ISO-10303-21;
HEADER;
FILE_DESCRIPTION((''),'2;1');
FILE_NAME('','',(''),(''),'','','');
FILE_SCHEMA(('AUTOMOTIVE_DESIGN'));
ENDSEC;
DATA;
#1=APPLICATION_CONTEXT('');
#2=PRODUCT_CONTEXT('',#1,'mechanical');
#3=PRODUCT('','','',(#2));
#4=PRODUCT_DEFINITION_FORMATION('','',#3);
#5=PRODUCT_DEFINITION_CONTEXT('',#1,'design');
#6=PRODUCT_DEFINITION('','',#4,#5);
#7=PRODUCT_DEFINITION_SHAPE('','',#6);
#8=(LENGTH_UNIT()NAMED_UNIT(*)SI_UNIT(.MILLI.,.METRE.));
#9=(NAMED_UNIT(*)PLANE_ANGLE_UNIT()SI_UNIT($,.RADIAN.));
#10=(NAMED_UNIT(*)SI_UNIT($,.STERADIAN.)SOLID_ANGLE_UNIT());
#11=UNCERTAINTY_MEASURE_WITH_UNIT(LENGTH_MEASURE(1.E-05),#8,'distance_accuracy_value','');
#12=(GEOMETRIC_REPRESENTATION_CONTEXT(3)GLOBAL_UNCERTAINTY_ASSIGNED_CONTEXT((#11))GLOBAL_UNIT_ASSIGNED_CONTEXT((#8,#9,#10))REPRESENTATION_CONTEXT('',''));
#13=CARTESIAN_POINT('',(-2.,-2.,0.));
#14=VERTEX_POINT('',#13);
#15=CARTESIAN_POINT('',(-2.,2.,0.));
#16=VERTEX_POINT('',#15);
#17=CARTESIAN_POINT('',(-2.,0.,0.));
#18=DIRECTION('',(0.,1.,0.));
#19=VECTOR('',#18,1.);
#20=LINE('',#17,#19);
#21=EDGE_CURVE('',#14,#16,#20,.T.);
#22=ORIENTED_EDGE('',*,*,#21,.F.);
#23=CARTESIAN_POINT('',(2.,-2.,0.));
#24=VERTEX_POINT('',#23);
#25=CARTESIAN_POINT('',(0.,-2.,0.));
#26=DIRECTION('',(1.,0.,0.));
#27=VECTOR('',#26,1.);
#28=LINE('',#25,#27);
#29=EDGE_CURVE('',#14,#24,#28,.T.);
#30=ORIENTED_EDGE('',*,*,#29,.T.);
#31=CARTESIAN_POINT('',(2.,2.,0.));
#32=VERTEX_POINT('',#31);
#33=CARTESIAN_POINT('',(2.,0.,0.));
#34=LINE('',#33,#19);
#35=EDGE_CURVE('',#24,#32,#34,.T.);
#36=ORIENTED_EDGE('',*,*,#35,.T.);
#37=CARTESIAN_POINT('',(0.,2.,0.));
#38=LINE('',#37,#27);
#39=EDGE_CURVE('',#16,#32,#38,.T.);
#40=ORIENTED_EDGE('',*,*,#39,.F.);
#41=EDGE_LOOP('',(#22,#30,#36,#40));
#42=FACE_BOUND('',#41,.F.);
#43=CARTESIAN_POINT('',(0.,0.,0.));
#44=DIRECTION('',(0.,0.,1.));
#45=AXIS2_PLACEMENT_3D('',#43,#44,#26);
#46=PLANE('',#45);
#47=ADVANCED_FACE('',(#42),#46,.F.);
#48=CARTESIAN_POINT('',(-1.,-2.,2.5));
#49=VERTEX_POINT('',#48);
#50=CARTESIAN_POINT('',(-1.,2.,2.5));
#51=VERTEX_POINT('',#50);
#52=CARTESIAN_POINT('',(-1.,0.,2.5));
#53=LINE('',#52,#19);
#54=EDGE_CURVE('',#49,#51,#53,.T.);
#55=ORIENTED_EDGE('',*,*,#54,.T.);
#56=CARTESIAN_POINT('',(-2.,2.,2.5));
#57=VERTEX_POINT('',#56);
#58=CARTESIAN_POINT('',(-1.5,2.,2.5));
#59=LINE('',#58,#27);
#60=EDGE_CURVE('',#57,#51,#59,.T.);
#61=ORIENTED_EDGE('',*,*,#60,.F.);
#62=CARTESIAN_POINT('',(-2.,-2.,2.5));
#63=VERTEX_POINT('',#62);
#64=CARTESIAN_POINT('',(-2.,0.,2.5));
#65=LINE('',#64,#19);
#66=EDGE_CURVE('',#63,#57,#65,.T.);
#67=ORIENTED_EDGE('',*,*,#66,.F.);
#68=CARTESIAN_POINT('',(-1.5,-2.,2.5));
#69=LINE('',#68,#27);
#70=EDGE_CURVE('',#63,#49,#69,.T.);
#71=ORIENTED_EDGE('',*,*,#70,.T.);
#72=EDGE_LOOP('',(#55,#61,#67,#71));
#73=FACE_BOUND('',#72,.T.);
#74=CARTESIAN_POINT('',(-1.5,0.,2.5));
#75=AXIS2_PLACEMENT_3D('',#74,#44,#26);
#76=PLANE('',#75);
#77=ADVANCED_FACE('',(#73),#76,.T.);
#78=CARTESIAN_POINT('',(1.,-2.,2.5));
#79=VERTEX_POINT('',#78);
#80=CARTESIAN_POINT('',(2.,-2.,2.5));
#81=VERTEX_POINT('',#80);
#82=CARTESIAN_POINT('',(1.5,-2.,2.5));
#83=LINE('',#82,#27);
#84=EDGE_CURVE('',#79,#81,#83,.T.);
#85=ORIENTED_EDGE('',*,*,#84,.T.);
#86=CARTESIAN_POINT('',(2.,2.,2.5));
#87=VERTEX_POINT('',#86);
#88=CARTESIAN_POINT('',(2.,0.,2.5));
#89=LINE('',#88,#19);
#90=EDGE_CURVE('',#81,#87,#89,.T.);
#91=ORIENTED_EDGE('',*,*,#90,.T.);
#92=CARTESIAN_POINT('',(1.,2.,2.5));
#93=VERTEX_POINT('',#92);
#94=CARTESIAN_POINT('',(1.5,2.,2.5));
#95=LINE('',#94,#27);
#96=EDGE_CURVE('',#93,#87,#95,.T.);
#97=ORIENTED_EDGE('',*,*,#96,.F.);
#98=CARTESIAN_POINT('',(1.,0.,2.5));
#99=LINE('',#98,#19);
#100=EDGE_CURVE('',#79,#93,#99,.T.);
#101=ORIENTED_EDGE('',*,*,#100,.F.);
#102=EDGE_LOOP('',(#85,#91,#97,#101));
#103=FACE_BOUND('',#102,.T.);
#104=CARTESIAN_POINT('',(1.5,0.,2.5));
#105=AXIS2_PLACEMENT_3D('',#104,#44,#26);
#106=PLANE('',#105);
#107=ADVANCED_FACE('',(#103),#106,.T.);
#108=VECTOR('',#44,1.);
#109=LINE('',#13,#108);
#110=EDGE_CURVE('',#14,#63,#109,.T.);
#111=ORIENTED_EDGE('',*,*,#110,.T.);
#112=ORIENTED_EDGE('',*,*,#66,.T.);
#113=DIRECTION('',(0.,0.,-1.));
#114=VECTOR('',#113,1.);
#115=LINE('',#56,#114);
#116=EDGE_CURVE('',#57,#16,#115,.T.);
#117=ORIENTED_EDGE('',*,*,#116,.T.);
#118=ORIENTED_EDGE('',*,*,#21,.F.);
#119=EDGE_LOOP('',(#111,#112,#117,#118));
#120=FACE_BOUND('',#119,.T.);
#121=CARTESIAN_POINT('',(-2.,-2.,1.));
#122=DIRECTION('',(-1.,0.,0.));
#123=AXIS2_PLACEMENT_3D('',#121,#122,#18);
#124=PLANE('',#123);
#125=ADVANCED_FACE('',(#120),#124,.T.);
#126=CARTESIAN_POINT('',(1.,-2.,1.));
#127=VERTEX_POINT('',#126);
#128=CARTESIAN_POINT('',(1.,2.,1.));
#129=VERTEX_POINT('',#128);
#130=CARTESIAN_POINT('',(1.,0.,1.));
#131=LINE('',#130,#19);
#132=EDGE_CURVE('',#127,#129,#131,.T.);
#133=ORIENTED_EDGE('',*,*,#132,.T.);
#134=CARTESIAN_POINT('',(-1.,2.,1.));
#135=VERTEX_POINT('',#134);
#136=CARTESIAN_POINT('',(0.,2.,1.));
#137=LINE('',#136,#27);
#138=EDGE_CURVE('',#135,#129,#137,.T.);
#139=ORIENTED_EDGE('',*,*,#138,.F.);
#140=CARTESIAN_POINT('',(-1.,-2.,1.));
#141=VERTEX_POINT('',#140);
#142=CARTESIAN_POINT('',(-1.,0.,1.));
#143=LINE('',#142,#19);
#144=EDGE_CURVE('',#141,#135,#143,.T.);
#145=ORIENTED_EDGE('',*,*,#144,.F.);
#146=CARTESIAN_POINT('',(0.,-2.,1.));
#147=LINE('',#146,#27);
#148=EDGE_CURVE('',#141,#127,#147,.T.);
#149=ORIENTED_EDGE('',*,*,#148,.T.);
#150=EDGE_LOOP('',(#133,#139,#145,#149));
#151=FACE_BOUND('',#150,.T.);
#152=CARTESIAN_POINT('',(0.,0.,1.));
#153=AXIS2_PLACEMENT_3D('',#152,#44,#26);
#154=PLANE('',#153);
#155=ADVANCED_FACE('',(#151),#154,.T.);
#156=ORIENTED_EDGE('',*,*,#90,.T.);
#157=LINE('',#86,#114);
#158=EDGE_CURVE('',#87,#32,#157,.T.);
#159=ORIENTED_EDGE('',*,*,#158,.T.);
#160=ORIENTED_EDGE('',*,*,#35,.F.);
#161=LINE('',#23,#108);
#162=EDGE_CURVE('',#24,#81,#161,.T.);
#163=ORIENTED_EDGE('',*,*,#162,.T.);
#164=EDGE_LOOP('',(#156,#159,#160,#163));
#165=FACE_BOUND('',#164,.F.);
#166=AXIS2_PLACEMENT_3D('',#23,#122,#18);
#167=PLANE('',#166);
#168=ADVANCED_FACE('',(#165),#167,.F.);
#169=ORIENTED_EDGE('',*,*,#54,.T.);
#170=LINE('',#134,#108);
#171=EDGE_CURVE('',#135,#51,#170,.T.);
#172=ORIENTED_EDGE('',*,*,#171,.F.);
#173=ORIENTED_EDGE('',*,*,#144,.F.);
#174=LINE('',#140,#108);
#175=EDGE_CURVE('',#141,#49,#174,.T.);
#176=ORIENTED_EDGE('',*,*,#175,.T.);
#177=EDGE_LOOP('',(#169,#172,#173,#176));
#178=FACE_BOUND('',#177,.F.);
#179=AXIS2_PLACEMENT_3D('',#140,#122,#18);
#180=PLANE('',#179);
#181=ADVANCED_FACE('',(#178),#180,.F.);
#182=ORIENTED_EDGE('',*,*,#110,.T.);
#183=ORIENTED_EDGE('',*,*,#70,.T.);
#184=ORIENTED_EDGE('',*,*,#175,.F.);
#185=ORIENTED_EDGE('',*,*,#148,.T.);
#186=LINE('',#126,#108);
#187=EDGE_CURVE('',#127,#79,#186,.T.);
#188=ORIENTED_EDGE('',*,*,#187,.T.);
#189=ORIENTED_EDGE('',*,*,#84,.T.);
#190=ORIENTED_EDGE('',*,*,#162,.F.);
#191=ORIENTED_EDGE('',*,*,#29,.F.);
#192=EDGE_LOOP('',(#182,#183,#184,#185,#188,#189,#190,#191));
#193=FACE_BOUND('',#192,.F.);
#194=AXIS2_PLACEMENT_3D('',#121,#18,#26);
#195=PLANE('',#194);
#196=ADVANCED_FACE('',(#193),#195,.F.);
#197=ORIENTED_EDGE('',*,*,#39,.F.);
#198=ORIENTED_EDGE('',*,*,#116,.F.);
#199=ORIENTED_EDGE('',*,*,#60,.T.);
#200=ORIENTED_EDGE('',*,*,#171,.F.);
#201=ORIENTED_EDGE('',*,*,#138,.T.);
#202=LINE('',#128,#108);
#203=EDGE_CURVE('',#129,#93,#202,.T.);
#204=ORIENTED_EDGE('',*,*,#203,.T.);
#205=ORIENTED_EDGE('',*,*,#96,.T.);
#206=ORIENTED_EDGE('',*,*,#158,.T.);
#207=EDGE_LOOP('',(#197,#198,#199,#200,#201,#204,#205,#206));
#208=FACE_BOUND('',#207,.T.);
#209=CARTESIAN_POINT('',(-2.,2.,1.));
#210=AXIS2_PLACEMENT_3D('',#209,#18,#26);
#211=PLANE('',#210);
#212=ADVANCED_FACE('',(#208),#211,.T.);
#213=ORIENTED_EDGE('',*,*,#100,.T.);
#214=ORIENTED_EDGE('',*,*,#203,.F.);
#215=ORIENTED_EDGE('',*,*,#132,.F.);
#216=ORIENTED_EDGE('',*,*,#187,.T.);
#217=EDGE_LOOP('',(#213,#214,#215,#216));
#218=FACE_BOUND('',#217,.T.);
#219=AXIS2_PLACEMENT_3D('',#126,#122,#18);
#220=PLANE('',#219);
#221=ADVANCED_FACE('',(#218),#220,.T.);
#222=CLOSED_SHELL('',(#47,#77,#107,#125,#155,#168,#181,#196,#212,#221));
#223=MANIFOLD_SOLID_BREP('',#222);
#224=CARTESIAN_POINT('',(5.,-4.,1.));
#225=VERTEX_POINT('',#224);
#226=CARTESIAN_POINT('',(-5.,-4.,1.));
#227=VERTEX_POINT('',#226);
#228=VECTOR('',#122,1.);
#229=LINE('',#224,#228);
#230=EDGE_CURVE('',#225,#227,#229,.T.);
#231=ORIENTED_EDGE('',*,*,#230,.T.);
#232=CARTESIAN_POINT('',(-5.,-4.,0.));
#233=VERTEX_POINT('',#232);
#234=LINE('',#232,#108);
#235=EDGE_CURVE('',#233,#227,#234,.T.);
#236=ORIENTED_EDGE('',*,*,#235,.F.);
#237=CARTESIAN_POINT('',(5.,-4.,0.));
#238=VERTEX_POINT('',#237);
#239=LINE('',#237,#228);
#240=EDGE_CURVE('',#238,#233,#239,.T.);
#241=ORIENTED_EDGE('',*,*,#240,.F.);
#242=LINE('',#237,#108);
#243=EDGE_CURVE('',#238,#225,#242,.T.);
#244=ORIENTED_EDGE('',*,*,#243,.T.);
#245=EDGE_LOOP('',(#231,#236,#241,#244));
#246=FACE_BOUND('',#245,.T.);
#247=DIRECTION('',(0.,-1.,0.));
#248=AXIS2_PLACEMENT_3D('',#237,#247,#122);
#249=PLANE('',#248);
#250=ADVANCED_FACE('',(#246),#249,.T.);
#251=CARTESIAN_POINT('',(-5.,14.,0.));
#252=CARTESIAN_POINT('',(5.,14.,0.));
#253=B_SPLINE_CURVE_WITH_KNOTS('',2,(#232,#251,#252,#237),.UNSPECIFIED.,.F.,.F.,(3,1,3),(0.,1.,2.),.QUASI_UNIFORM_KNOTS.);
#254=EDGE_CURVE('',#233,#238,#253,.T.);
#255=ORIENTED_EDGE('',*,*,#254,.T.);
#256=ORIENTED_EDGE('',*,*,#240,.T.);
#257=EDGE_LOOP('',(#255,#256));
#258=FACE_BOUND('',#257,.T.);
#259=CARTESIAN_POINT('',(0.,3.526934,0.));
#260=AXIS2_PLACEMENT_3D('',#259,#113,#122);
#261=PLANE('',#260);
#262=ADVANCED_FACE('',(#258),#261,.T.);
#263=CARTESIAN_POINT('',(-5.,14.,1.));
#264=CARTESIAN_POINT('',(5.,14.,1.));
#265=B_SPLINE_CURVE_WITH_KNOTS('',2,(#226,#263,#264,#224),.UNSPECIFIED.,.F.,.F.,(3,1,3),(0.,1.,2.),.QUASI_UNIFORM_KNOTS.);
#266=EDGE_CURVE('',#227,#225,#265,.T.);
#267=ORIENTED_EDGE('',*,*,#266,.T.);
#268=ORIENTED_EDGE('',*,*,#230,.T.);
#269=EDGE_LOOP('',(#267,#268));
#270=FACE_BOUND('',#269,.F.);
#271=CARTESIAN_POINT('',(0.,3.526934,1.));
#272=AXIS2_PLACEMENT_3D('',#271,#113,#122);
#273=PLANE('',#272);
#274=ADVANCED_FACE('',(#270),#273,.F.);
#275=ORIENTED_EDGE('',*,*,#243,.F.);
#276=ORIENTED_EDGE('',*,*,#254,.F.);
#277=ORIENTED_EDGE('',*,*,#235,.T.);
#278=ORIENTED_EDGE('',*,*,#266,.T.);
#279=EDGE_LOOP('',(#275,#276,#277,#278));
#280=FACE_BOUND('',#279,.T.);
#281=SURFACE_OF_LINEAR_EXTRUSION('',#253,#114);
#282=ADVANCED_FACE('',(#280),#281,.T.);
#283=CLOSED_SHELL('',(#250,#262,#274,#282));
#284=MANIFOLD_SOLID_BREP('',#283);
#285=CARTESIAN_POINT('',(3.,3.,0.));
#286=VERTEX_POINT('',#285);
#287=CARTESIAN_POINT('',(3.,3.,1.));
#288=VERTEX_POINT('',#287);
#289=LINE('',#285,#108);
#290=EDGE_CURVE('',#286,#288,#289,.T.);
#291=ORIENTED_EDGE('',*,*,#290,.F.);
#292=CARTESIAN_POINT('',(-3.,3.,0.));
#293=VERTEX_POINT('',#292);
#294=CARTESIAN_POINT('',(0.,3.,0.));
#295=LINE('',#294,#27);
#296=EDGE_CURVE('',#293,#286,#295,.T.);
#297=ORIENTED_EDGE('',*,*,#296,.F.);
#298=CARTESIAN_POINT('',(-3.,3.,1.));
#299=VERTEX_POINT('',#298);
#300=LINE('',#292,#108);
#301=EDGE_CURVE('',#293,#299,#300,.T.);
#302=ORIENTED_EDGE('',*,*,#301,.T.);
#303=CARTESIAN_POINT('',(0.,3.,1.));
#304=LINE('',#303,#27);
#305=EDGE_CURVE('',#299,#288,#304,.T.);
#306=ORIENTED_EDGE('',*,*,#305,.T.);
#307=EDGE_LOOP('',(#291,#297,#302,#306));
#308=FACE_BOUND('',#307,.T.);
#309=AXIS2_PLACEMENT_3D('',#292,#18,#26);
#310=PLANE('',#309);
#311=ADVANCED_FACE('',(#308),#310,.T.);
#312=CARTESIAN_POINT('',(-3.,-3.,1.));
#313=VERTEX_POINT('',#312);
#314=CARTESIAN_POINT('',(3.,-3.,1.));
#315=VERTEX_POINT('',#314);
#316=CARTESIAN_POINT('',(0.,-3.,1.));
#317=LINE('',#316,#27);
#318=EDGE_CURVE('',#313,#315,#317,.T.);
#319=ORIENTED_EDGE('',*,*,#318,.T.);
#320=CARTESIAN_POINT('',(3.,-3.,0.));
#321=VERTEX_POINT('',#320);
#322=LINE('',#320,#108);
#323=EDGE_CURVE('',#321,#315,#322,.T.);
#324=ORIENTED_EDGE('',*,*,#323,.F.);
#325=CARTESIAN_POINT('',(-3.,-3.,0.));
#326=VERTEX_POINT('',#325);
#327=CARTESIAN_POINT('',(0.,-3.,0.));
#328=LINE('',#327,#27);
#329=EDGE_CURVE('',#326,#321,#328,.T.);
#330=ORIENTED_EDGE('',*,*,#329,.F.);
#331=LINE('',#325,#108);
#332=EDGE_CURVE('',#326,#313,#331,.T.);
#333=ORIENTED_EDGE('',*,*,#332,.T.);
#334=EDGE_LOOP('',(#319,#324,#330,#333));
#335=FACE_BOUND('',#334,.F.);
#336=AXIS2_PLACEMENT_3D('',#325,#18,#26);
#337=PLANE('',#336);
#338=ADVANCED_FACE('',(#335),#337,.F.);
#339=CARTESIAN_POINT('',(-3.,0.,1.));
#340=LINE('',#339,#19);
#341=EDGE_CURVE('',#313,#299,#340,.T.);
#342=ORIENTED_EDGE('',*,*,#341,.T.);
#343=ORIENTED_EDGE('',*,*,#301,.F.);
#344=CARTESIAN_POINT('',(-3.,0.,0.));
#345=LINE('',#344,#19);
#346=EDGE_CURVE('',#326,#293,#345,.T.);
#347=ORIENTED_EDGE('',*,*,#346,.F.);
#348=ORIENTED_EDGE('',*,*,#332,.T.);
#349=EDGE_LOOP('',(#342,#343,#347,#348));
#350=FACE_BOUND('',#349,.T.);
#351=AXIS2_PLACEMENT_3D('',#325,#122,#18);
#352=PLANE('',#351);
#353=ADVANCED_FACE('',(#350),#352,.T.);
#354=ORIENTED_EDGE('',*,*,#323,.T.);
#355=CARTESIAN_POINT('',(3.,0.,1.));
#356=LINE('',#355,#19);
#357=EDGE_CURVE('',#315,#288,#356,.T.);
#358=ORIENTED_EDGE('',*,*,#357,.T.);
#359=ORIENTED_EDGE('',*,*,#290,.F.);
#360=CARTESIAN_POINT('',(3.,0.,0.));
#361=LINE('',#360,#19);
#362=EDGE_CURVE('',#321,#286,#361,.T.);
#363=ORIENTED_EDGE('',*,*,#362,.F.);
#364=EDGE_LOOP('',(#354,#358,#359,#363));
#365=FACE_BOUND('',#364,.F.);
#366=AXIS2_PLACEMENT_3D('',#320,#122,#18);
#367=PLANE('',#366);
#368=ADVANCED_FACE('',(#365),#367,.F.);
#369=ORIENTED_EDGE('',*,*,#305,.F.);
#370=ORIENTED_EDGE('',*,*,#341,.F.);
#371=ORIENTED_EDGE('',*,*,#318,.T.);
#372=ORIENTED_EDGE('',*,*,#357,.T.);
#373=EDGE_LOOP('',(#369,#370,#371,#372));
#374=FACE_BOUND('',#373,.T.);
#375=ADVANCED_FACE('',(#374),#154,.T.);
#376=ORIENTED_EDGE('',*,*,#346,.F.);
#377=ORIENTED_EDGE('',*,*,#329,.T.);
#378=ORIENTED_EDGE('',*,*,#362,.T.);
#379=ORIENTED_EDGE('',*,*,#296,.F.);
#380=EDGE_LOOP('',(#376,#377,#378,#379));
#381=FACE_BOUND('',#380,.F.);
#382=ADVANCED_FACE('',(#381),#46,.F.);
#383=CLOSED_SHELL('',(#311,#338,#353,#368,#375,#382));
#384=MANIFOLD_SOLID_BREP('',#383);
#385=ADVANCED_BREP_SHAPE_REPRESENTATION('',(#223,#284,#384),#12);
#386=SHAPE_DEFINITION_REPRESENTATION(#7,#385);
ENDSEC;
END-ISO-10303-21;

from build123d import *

# Parameters (mm, degrees)
SKETCH_W     = 6
SKETCH_H     = 6
PAD_DEPTH    = 1
PAD003_DEPTH = 1
SKETCH003_W  = 4
SKETCH003_H  = 4
PAD001_DEPTH = 1
SKETCH001_W  = 1
SKETCH001_H  = 4
PAD002_DEPTH = 1.5


with BuildPart() as square:
    # Sketch → Pad (new body)
    with BuildSketch(Plane.XY):
        Rectangle(SKETCH_W, SKETCH_H)
    extrude(amount=PAD_DEPTH)


with BuildPart() as nail:
    # Sketch002 → Pad003 (new body)
    with BuildSketch(Plane.XY):
        with BuildLine():
            add(Edge.make_bspline(
                [(-5, -4), (-5, 14), (0, 14)],
                knots=[0, 0, 0, 1, 1, 1], degree=2))
            add(Edge.make_bspline(
                [(0, 14), (5, 14), (5, -4)],
                knots=[0, 0, 0, 1, 1, 1], degree=2))
            Line((5, -4), (-5, -4))
        make_face()
    extrude(amount=PAD003_DEPTH)


with BuildPart() as connector:
    # Sketch003 → Pad001 (new body)
    with BuildSketch(Plane.XY):
        Rectangle(SKETCH003_W, SKETCH003_H)
    extrude(amount=PAD001_DEPTH)

    # Sketch001 (on Face6 of Pad) → Pad002 (join)
    with BuildSketch(Plane.XY.offset(1)):
        with Locations((-1.5, 0)):
            Rectangle(SKETCH001_W, SKETCH001_H)
        with Locations((1.5, 0)):
            Rectangle(SKETCH001_W, SKETCH001_H)
    extrude(amount=PAD002_DEPTH)


solid = Compound([square.part, nail.part, connector.part])
